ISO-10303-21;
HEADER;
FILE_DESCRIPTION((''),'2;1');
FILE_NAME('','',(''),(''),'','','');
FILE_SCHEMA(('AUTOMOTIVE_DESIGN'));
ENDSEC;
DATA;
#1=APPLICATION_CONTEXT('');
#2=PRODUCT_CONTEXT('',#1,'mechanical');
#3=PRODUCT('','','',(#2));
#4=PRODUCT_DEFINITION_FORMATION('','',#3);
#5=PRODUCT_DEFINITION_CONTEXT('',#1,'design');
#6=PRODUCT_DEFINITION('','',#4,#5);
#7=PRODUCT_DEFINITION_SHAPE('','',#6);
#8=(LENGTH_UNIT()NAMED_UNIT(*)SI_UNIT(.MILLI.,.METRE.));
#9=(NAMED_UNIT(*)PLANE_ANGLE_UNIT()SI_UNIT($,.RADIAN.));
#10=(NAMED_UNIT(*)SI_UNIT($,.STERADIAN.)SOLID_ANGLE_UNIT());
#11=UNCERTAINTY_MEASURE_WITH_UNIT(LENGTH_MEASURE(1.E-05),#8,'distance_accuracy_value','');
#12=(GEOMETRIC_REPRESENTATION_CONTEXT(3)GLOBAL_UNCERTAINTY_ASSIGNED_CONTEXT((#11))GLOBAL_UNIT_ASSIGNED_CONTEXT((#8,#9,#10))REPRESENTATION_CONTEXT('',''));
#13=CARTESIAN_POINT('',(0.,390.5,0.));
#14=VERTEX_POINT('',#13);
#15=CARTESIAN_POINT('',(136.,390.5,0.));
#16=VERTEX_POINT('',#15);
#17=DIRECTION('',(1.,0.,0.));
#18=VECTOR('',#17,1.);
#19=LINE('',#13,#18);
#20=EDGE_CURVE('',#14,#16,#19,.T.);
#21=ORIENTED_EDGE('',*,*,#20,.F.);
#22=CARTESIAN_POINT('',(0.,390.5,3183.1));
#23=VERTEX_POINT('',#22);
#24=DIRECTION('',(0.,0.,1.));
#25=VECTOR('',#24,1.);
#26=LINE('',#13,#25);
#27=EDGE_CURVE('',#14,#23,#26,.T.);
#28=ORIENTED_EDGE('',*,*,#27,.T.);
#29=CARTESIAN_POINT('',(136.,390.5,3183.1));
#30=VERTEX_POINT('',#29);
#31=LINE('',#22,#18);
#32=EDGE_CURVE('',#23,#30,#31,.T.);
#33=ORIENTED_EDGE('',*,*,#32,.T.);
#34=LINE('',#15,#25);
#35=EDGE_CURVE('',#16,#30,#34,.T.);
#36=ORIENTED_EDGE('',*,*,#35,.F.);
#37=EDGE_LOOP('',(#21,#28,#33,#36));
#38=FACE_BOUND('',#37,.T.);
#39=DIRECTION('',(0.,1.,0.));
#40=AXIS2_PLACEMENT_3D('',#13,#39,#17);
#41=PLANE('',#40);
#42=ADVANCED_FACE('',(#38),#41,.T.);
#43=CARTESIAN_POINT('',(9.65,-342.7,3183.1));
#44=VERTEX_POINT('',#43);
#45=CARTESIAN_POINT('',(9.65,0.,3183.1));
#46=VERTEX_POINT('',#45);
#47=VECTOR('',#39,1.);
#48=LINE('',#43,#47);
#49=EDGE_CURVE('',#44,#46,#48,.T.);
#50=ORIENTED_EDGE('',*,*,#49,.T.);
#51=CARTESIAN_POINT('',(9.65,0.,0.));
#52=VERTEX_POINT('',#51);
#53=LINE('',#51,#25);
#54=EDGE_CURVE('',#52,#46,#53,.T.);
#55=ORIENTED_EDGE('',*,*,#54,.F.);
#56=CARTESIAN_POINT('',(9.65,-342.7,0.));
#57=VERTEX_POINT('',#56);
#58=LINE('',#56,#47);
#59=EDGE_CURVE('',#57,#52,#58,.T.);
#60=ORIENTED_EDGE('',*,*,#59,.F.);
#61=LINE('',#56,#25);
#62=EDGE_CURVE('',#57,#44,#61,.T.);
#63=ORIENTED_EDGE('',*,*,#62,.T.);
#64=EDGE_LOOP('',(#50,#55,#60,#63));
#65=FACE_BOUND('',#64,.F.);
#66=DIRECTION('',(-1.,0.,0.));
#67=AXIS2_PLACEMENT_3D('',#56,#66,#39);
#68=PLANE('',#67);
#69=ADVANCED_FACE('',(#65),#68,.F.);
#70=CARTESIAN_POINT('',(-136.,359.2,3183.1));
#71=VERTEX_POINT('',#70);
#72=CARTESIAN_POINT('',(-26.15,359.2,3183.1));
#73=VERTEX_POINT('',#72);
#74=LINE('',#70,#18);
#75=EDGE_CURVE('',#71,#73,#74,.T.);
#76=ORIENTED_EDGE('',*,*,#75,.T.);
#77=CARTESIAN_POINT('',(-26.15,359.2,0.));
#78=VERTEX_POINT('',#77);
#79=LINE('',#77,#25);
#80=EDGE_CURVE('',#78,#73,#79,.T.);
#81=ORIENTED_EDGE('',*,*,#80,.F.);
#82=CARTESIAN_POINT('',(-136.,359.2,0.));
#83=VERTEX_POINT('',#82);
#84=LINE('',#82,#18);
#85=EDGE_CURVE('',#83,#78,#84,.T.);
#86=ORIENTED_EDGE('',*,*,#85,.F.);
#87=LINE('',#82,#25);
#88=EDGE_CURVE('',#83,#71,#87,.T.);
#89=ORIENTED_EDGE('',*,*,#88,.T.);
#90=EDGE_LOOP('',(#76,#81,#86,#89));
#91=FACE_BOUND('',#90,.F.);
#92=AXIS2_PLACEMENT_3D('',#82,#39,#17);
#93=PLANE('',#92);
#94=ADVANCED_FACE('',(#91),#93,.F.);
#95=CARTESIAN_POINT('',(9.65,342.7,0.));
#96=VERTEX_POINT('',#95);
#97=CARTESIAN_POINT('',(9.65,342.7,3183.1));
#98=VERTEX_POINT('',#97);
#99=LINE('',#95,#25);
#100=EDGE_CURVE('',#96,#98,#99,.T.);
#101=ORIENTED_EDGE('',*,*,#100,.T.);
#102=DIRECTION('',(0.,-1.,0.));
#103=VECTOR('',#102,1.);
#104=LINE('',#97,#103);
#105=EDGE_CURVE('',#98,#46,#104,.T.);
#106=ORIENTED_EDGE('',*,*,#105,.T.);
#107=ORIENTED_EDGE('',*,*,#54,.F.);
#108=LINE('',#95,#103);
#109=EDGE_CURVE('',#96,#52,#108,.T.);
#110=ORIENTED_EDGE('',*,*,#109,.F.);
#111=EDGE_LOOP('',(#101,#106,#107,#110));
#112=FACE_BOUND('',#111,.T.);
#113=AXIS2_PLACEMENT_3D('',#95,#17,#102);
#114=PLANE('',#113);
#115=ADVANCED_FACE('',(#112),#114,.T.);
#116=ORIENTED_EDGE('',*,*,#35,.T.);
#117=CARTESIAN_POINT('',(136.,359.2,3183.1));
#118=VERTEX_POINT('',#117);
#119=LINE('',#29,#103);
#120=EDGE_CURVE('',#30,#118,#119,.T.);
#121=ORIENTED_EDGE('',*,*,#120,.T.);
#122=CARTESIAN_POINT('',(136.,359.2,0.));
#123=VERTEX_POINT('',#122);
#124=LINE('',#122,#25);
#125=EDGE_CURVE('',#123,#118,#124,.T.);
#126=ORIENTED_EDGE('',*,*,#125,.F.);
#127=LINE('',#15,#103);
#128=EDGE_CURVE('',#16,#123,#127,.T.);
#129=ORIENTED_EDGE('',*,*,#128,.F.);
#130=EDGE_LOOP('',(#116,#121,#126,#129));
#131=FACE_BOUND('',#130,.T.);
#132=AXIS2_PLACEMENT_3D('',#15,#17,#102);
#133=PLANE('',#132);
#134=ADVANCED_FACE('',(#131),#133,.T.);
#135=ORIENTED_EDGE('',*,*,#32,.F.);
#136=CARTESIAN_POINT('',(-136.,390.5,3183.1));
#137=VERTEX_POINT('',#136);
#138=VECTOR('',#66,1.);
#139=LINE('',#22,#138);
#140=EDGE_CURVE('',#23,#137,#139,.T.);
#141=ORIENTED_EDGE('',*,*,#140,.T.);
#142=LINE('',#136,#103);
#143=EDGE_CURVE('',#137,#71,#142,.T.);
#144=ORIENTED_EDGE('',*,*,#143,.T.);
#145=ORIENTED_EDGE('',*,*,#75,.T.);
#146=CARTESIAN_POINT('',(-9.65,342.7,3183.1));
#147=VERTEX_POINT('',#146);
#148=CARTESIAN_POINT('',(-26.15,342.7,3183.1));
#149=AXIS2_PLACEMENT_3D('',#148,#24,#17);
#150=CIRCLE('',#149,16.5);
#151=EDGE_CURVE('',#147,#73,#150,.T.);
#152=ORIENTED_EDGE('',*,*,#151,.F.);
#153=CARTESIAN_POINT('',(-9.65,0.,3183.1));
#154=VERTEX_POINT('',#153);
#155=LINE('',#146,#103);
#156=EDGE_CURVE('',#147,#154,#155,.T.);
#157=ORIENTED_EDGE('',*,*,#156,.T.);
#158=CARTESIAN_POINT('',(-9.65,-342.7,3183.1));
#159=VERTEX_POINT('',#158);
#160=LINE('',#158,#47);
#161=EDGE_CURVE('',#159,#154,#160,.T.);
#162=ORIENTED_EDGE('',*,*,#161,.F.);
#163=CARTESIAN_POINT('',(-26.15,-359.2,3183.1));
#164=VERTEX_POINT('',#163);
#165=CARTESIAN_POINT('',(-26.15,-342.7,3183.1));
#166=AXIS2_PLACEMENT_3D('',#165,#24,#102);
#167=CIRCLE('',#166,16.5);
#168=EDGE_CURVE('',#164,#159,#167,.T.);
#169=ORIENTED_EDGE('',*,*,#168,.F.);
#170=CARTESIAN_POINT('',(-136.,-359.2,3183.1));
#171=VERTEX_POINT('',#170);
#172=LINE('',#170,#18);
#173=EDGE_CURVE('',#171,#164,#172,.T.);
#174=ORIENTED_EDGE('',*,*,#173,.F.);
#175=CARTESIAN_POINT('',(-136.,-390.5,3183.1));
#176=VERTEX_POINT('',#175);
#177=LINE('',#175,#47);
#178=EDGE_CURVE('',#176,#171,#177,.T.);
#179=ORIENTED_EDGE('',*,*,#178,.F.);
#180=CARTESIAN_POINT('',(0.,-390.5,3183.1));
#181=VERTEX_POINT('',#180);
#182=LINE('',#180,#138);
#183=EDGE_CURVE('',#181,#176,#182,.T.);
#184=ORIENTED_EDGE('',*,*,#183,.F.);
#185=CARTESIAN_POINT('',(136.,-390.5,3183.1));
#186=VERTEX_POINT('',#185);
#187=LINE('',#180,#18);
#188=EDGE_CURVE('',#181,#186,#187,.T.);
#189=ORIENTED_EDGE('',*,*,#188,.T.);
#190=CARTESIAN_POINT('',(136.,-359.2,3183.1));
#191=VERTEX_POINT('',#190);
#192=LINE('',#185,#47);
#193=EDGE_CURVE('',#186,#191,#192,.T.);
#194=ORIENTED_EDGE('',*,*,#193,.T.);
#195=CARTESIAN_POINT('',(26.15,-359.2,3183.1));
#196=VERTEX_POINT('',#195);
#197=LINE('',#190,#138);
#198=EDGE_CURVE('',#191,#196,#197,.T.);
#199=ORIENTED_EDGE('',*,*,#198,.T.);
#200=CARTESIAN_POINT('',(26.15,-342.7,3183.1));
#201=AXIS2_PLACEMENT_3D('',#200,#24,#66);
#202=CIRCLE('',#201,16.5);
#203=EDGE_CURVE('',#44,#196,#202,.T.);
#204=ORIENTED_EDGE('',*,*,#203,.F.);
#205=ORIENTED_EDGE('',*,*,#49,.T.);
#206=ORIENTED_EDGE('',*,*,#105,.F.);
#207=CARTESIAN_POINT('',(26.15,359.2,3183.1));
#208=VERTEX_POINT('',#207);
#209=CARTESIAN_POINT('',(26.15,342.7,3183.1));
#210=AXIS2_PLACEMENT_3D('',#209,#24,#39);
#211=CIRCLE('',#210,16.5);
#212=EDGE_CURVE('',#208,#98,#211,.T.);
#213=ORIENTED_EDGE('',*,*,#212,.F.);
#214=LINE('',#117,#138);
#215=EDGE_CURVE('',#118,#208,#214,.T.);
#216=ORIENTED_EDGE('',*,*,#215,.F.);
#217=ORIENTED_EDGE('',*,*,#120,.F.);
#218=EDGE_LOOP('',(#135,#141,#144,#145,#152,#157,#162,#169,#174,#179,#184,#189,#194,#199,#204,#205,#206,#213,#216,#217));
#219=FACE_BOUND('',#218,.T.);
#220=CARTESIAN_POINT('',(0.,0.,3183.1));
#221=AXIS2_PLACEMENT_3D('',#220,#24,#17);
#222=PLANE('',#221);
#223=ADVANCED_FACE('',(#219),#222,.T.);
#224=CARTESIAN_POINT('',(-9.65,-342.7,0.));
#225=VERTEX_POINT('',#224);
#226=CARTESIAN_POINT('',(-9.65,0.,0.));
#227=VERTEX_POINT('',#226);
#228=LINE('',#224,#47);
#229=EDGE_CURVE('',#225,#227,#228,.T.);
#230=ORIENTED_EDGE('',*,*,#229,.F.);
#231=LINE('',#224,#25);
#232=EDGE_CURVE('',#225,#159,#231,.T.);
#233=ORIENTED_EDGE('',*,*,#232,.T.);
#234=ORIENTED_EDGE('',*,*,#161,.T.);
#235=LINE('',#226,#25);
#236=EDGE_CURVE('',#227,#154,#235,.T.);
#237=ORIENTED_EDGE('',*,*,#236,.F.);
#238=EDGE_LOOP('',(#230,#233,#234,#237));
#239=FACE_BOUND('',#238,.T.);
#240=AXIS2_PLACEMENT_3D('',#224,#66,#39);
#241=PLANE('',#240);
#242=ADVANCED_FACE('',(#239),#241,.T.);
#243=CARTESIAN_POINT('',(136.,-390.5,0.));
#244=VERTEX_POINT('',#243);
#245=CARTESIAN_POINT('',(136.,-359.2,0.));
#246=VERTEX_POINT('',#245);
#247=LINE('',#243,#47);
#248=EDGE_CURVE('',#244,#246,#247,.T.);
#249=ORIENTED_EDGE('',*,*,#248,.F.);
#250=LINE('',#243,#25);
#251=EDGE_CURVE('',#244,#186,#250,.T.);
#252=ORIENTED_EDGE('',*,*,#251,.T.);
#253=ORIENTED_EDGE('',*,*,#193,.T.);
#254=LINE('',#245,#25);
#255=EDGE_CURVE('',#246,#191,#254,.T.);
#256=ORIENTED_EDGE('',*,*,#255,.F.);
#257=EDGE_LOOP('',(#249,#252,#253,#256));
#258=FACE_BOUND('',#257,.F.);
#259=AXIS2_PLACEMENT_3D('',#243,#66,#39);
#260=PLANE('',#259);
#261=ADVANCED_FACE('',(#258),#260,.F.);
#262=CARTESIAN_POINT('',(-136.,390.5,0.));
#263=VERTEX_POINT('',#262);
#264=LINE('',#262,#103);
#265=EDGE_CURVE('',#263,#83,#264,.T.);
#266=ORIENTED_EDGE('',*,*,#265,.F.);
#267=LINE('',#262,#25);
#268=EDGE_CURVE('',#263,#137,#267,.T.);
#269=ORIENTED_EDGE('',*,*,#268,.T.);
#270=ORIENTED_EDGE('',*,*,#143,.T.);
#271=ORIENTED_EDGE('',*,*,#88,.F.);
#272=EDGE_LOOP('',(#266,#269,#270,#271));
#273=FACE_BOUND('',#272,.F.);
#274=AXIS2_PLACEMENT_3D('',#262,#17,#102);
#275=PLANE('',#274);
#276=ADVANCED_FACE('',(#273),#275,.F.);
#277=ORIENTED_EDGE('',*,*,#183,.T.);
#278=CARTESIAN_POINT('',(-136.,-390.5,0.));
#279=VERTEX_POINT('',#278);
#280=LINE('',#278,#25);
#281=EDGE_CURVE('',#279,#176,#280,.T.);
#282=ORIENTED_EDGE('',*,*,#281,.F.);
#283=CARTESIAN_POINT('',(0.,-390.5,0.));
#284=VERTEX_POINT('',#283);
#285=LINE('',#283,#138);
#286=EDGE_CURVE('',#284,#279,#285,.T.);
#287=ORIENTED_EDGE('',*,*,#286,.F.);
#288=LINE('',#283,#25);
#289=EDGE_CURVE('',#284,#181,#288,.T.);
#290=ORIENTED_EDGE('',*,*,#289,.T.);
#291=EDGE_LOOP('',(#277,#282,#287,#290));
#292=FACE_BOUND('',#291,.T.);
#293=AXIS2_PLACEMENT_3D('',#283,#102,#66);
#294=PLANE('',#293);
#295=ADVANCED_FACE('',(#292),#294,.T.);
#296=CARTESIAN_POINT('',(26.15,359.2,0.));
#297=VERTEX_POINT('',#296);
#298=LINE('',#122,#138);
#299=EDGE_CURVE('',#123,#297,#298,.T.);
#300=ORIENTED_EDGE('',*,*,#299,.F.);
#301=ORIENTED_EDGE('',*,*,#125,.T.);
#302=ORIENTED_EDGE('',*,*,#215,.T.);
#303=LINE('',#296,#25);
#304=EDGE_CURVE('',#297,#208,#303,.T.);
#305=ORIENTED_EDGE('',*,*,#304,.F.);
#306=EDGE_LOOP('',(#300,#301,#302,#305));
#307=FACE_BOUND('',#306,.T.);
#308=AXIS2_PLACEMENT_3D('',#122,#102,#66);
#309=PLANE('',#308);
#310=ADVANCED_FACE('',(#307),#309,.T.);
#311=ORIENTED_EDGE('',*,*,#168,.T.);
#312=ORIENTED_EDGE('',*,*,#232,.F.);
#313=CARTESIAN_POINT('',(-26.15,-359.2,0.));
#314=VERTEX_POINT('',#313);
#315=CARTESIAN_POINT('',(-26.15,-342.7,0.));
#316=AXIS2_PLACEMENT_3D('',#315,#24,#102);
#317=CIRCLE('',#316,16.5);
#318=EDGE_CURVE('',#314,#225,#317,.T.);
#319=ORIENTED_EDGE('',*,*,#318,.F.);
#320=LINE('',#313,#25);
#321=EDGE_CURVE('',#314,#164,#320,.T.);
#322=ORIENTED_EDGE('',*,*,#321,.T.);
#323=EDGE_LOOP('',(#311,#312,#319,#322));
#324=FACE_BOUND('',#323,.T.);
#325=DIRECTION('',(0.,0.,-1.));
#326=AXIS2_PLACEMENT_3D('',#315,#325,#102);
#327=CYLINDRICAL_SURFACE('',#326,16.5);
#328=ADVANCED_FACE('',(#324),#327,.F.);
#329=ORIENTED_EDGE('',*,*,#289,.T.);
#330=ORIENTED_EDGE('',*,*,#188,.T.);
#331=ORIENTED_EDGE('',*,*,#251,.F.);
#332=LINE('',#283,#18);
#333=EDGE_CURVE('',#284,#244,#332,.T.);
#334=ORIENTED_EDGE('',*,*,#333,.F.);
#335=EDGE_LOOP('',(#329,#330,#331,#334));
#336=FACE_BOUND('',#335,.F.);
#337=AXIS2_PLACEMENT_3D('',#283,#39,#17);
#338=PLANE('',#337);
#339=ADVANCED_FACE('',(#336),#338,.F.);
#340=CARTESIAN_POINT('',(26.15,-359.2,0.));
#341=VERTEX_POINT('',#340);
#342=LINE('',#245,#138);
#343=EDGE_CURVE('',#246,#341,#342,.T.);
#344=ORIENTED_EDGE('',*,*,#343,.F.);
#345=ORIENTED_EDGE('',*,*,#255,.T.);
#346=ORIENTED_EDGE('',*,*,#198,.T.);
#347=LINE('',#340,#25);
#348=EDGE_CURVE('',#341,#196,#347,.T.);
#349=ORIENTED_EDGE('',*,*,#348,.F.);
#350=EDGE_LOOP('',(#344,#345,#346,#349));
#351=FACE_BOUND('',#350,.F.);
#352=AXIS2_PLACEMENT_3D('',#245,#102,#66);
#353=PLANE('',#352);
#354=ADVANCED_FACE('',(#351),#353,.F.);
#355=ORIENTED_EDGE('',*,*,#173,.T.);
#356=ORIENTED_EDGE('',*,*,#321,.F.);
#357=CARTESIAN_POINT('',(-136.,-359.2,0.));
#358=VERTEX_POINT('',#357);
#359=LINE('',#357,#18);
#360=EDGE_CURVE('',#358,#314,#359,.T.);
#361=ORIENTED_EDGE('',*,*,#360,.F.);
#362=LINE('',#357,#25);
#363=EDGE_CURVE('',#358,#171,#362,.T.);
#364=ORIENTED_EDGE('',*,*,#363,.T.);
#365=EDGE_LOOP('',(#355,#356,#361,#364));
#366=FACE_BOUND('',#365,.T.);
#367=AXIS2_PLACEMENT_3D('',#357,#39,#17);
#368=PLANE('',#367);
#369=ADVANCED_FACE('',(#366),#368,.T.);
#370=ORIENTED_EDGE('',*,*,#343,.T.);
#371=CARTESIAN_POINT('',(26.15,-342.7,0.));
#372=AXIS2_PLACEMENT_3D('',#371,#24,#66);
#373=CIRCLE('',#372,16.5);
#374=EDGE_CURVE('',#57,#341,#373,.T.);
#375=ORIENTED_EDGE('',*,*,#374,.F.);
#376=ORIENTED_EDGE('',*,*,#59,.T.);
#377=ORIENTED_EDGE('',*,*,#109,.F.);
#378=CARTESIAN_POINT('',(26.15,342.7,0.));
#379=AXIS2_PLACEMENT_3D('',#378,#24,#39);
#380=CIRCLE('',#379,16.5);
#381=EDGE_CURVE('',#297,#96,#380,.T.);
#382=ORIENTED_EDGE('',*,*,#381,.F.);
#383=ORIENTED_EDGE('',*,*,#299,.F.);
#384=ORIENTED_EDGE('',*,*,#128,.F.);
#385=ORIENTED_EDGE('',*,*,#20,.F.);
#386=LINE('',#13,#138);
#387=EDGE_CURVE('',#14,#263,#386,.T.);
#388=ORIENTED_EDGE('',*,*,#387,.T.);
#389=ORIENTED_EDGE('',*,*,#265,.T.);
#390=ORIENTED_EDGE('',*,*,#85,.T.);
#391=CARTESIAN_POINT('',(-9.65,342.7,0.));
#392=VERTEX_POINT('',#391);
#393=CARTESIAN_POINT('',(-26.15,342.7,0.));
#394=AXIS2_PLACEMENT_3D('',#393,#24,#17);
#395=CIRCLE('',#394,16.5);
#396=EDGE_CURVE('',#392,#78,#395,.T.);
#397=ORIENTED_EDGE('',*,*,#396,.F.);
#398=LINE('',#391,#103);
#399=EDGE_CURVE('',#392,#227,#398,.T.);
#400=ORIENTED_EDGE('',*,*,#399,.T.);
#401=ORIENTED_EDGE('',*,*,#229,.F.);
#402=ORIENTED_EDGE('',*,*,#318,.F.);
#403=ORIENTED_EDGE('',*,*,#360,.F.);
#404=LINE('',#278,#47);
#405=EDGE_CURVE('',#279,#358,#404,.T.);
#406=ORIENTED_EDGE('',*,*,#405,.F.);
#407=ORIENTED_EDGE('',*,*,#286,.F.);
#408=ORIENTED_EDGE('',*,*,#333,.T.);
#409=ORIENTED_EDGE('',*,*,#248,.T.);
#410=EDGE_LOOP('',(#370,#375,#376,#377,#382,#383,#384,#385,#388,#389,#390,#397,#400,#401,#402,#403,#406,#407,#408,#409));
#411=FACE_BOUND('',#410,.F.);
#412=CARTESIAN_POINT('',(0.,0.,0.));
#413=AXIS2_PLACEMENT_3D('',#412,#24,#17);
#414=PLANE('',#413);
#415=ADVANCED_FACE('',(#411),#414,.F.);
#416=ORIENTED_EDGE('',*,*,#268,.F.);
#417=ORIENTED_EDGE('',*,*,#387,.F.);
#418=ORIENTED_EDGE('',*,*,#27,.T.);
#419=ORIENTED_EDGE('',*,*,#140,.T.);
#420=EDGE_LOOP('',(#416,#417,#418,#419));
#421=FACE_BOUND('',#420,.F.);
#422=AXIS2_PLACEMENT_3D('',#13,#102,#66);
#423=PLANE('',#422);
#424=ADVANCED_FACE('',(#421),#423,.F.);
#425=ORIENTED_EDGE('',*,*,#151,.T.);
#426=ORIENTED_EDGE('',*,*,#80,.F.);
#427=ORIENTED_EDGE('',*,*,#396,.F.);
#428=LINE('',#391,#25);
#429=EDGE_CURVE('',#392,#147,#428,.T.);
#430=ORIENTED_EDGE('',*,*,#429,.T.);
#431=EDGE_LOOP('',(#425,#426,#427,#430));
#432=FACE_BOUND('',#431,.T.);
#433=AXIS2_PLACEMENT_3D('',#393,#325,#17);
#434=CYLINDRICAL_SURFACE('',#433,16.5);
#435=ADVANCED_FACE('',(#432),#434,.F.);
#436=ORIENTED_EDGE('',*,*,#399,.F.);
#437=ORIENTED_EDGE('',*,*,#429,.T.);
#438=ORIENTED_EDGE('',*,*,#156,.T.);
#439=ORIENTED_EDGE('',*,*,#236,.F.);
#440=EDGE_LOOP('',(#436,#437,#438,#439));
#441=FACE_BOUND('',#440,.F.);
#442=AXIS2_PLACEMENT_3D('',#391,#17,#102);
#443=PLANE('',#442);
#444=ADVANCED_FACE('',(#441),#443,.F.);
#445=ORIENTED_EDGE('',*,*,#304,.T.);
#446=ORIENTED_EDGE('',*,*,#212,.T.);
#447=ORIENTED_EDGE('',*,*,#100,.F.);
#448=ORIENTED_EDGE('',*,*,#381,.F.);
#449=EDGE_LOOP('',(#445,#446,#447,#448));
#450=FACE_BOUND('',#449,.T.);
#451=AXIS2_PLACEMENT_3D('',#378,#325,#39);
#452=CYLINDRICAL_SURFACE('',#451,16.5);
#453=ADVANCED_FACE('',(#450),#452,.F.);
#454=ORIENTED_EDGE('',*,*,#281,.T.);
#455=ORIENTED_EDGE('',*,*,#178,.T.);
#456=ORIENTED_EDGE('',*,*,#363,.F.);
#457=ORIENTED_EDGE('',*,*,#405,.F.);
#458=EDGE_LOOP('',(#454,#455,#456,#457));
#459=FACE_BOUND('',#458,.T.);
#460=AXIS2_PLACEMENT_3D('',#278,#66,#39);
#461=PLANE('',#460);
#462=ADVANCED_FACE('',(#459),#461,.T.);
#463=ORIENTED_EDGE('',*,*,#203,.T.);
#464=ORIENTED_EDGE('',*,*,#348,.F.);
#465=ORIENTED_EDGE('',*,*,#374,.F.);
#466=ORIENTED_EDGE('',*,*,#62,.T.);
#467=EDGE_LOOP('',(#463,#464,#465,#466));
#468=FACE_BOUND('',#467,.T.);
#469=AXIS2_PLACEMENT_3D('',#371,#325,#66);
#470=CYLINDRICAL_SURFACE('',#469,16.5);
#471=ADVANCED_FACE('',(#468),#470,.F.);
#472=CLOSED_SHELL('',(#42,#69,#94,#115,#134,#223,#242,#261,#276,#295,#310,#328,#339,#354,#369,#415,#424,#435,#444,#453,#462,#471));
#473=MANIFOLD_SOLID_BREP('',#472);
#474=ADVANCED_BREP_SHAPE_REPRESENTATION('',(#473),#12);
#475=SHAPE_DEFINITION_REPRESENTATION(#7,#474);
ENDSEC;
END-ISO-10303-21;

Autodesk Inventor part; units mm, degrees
ref_plane "YZ Plane" through (0, 0, 0) normal (1, 0, 0) x (0, 1, 0)
ref_plane "Start plane" through (0, 0, 0) normal (0, 0, 1) x (1, 0, 0)
ref_plane "End plane" through (0, 0, 3183.1) normal (0, 0, 1) x (1, 0, 0)
sketch "Sketch" plane through (0, 0, 0) normal (0, 0, 1) x (1, 0, 0)
  line L0 (-136, -390.5) -> (-136, -359.2)
  line L1 (-136, -359.2) -> (-26.15, -359.2)
  line L2 (-9.65, -342.7) -> (-9.65, 0)
  line L3 (-9.65, 0) -> (0, 0) construction
  line L4 (0, 0) -> (0, -390.5) construction
  line L5 (0, -390.5) -> (-136, -390.5)
  line L6 (-60, 0) -> (80, 0) construction
  line L7 (0, -60) -> (0, 80) construction
  line L8 (136, -390.5) -> (136, -359.2)
  line L9 (136, -359.2) -> (26.15, -359.2)
  line L10 (9.65, -342.7) -> (9.65, 0)
  line L11 (9.65, 0) -> (0, 0) construction
  line L12 (0, -390.5) -> (136, -390.5)
  line L13 (-136, 390.5) -> (-136, 359.2)
  line L14 (-136, 359.2) -> (-26.15, 359.2)
  line L15 (-9.65, 342.7) -> (-9.65, 0)
  line L16 (0, 390.5) -> (-136, 390.5)
  line L17 (136, 390.5) -> (136, 359.2)
  line L18 (136, 359.2) -> (26.15, 359.2)
  line L19 (0, 390.5) -> (136, 390.5)
  line L20 (9.65, 342.7) -> (9.65, 0)
  arc A0 (-9.65, 342.7) -> (-26.15, 359.2) centre (-26.15, 342.7) ccw
  arc A1 (26.15, 359.2) -> (9.65, 342.7) centre (26.15, 342.7) ccw
  arc A2 (9.65, -342.7) -> (26.15, -359.2) centre (26.15, -342.7) ccw
  arc A3 (-26.15, -359.2) -> (-9.65, -342.7) centre (-26.15, -342.7) ccw
  line L21 (0, 108) -> (0, -88) construction
  line L22 (-88, 0) -> (108, 0) construction
  point P0 (-9.65, -359.2)
  point P1 (9.65, -359.2)
  point P2 (-9.65, 359.2)
  point P3 (9.65, 359.2)
  dimension "d1" = 390.5
  dimension "d2" = 31.3
  dimension "d3" = 136
  dimension "d4" = 9.65
  dimension "d10" = 16.5
extrude "Body" add sketch "Sketch" along normal up to surface (3183.1 mm away) from surface at 0
sketch "Sketch4" plane through (0, 0, 0) normal (0, 0, 1) x (1, 0, 0)
  line L0 (0, 0) -> (10, 0)
ref_plane "Work Plane3" through (0, 0, 0) normal (0, -1, 0) x (1, 0, 0)
sketch "Sketch5" plane through (0, 0, 0) normal (0, -1, 0) x (1, 0, 0)
  line L0 (-2, 0) -> (12, 0) projected
  line L1 (-2, 3183.1) -> (12, 3183.1) projected
  dimension "d14" = 3183.1
equation "\"d1\" = 0.5 * G_H"
equation "\"d2\" = G_T1"
equation "\"d3\" = 0.5 * G_W"
equation "\"d4\" = 0.5 * G_T"
equation "\"d10\" = G_IR"
equation "\"d5\" = G_L"
equation "\"G_W\" = 272"
equation "\"G_H\" = 781"
equation "\"G_T\" = 19.3"
equation "\"G_T1\" = 31.3"
equation "\"G_IR\" = 16.5"
equation "\"G_L\" = d14"
equation "\"G_OFFSET_START\" = 0"
equation "\"G_OFFSET_END\" = 0"
equation "\"d12\" = G_OFFSET_END + B_L"
equation "\"B_L\" = 3183.1"
properties part number "AS 3679-1990 - 760 UB - 244 - 3183.1" material "Steel, Mild"
